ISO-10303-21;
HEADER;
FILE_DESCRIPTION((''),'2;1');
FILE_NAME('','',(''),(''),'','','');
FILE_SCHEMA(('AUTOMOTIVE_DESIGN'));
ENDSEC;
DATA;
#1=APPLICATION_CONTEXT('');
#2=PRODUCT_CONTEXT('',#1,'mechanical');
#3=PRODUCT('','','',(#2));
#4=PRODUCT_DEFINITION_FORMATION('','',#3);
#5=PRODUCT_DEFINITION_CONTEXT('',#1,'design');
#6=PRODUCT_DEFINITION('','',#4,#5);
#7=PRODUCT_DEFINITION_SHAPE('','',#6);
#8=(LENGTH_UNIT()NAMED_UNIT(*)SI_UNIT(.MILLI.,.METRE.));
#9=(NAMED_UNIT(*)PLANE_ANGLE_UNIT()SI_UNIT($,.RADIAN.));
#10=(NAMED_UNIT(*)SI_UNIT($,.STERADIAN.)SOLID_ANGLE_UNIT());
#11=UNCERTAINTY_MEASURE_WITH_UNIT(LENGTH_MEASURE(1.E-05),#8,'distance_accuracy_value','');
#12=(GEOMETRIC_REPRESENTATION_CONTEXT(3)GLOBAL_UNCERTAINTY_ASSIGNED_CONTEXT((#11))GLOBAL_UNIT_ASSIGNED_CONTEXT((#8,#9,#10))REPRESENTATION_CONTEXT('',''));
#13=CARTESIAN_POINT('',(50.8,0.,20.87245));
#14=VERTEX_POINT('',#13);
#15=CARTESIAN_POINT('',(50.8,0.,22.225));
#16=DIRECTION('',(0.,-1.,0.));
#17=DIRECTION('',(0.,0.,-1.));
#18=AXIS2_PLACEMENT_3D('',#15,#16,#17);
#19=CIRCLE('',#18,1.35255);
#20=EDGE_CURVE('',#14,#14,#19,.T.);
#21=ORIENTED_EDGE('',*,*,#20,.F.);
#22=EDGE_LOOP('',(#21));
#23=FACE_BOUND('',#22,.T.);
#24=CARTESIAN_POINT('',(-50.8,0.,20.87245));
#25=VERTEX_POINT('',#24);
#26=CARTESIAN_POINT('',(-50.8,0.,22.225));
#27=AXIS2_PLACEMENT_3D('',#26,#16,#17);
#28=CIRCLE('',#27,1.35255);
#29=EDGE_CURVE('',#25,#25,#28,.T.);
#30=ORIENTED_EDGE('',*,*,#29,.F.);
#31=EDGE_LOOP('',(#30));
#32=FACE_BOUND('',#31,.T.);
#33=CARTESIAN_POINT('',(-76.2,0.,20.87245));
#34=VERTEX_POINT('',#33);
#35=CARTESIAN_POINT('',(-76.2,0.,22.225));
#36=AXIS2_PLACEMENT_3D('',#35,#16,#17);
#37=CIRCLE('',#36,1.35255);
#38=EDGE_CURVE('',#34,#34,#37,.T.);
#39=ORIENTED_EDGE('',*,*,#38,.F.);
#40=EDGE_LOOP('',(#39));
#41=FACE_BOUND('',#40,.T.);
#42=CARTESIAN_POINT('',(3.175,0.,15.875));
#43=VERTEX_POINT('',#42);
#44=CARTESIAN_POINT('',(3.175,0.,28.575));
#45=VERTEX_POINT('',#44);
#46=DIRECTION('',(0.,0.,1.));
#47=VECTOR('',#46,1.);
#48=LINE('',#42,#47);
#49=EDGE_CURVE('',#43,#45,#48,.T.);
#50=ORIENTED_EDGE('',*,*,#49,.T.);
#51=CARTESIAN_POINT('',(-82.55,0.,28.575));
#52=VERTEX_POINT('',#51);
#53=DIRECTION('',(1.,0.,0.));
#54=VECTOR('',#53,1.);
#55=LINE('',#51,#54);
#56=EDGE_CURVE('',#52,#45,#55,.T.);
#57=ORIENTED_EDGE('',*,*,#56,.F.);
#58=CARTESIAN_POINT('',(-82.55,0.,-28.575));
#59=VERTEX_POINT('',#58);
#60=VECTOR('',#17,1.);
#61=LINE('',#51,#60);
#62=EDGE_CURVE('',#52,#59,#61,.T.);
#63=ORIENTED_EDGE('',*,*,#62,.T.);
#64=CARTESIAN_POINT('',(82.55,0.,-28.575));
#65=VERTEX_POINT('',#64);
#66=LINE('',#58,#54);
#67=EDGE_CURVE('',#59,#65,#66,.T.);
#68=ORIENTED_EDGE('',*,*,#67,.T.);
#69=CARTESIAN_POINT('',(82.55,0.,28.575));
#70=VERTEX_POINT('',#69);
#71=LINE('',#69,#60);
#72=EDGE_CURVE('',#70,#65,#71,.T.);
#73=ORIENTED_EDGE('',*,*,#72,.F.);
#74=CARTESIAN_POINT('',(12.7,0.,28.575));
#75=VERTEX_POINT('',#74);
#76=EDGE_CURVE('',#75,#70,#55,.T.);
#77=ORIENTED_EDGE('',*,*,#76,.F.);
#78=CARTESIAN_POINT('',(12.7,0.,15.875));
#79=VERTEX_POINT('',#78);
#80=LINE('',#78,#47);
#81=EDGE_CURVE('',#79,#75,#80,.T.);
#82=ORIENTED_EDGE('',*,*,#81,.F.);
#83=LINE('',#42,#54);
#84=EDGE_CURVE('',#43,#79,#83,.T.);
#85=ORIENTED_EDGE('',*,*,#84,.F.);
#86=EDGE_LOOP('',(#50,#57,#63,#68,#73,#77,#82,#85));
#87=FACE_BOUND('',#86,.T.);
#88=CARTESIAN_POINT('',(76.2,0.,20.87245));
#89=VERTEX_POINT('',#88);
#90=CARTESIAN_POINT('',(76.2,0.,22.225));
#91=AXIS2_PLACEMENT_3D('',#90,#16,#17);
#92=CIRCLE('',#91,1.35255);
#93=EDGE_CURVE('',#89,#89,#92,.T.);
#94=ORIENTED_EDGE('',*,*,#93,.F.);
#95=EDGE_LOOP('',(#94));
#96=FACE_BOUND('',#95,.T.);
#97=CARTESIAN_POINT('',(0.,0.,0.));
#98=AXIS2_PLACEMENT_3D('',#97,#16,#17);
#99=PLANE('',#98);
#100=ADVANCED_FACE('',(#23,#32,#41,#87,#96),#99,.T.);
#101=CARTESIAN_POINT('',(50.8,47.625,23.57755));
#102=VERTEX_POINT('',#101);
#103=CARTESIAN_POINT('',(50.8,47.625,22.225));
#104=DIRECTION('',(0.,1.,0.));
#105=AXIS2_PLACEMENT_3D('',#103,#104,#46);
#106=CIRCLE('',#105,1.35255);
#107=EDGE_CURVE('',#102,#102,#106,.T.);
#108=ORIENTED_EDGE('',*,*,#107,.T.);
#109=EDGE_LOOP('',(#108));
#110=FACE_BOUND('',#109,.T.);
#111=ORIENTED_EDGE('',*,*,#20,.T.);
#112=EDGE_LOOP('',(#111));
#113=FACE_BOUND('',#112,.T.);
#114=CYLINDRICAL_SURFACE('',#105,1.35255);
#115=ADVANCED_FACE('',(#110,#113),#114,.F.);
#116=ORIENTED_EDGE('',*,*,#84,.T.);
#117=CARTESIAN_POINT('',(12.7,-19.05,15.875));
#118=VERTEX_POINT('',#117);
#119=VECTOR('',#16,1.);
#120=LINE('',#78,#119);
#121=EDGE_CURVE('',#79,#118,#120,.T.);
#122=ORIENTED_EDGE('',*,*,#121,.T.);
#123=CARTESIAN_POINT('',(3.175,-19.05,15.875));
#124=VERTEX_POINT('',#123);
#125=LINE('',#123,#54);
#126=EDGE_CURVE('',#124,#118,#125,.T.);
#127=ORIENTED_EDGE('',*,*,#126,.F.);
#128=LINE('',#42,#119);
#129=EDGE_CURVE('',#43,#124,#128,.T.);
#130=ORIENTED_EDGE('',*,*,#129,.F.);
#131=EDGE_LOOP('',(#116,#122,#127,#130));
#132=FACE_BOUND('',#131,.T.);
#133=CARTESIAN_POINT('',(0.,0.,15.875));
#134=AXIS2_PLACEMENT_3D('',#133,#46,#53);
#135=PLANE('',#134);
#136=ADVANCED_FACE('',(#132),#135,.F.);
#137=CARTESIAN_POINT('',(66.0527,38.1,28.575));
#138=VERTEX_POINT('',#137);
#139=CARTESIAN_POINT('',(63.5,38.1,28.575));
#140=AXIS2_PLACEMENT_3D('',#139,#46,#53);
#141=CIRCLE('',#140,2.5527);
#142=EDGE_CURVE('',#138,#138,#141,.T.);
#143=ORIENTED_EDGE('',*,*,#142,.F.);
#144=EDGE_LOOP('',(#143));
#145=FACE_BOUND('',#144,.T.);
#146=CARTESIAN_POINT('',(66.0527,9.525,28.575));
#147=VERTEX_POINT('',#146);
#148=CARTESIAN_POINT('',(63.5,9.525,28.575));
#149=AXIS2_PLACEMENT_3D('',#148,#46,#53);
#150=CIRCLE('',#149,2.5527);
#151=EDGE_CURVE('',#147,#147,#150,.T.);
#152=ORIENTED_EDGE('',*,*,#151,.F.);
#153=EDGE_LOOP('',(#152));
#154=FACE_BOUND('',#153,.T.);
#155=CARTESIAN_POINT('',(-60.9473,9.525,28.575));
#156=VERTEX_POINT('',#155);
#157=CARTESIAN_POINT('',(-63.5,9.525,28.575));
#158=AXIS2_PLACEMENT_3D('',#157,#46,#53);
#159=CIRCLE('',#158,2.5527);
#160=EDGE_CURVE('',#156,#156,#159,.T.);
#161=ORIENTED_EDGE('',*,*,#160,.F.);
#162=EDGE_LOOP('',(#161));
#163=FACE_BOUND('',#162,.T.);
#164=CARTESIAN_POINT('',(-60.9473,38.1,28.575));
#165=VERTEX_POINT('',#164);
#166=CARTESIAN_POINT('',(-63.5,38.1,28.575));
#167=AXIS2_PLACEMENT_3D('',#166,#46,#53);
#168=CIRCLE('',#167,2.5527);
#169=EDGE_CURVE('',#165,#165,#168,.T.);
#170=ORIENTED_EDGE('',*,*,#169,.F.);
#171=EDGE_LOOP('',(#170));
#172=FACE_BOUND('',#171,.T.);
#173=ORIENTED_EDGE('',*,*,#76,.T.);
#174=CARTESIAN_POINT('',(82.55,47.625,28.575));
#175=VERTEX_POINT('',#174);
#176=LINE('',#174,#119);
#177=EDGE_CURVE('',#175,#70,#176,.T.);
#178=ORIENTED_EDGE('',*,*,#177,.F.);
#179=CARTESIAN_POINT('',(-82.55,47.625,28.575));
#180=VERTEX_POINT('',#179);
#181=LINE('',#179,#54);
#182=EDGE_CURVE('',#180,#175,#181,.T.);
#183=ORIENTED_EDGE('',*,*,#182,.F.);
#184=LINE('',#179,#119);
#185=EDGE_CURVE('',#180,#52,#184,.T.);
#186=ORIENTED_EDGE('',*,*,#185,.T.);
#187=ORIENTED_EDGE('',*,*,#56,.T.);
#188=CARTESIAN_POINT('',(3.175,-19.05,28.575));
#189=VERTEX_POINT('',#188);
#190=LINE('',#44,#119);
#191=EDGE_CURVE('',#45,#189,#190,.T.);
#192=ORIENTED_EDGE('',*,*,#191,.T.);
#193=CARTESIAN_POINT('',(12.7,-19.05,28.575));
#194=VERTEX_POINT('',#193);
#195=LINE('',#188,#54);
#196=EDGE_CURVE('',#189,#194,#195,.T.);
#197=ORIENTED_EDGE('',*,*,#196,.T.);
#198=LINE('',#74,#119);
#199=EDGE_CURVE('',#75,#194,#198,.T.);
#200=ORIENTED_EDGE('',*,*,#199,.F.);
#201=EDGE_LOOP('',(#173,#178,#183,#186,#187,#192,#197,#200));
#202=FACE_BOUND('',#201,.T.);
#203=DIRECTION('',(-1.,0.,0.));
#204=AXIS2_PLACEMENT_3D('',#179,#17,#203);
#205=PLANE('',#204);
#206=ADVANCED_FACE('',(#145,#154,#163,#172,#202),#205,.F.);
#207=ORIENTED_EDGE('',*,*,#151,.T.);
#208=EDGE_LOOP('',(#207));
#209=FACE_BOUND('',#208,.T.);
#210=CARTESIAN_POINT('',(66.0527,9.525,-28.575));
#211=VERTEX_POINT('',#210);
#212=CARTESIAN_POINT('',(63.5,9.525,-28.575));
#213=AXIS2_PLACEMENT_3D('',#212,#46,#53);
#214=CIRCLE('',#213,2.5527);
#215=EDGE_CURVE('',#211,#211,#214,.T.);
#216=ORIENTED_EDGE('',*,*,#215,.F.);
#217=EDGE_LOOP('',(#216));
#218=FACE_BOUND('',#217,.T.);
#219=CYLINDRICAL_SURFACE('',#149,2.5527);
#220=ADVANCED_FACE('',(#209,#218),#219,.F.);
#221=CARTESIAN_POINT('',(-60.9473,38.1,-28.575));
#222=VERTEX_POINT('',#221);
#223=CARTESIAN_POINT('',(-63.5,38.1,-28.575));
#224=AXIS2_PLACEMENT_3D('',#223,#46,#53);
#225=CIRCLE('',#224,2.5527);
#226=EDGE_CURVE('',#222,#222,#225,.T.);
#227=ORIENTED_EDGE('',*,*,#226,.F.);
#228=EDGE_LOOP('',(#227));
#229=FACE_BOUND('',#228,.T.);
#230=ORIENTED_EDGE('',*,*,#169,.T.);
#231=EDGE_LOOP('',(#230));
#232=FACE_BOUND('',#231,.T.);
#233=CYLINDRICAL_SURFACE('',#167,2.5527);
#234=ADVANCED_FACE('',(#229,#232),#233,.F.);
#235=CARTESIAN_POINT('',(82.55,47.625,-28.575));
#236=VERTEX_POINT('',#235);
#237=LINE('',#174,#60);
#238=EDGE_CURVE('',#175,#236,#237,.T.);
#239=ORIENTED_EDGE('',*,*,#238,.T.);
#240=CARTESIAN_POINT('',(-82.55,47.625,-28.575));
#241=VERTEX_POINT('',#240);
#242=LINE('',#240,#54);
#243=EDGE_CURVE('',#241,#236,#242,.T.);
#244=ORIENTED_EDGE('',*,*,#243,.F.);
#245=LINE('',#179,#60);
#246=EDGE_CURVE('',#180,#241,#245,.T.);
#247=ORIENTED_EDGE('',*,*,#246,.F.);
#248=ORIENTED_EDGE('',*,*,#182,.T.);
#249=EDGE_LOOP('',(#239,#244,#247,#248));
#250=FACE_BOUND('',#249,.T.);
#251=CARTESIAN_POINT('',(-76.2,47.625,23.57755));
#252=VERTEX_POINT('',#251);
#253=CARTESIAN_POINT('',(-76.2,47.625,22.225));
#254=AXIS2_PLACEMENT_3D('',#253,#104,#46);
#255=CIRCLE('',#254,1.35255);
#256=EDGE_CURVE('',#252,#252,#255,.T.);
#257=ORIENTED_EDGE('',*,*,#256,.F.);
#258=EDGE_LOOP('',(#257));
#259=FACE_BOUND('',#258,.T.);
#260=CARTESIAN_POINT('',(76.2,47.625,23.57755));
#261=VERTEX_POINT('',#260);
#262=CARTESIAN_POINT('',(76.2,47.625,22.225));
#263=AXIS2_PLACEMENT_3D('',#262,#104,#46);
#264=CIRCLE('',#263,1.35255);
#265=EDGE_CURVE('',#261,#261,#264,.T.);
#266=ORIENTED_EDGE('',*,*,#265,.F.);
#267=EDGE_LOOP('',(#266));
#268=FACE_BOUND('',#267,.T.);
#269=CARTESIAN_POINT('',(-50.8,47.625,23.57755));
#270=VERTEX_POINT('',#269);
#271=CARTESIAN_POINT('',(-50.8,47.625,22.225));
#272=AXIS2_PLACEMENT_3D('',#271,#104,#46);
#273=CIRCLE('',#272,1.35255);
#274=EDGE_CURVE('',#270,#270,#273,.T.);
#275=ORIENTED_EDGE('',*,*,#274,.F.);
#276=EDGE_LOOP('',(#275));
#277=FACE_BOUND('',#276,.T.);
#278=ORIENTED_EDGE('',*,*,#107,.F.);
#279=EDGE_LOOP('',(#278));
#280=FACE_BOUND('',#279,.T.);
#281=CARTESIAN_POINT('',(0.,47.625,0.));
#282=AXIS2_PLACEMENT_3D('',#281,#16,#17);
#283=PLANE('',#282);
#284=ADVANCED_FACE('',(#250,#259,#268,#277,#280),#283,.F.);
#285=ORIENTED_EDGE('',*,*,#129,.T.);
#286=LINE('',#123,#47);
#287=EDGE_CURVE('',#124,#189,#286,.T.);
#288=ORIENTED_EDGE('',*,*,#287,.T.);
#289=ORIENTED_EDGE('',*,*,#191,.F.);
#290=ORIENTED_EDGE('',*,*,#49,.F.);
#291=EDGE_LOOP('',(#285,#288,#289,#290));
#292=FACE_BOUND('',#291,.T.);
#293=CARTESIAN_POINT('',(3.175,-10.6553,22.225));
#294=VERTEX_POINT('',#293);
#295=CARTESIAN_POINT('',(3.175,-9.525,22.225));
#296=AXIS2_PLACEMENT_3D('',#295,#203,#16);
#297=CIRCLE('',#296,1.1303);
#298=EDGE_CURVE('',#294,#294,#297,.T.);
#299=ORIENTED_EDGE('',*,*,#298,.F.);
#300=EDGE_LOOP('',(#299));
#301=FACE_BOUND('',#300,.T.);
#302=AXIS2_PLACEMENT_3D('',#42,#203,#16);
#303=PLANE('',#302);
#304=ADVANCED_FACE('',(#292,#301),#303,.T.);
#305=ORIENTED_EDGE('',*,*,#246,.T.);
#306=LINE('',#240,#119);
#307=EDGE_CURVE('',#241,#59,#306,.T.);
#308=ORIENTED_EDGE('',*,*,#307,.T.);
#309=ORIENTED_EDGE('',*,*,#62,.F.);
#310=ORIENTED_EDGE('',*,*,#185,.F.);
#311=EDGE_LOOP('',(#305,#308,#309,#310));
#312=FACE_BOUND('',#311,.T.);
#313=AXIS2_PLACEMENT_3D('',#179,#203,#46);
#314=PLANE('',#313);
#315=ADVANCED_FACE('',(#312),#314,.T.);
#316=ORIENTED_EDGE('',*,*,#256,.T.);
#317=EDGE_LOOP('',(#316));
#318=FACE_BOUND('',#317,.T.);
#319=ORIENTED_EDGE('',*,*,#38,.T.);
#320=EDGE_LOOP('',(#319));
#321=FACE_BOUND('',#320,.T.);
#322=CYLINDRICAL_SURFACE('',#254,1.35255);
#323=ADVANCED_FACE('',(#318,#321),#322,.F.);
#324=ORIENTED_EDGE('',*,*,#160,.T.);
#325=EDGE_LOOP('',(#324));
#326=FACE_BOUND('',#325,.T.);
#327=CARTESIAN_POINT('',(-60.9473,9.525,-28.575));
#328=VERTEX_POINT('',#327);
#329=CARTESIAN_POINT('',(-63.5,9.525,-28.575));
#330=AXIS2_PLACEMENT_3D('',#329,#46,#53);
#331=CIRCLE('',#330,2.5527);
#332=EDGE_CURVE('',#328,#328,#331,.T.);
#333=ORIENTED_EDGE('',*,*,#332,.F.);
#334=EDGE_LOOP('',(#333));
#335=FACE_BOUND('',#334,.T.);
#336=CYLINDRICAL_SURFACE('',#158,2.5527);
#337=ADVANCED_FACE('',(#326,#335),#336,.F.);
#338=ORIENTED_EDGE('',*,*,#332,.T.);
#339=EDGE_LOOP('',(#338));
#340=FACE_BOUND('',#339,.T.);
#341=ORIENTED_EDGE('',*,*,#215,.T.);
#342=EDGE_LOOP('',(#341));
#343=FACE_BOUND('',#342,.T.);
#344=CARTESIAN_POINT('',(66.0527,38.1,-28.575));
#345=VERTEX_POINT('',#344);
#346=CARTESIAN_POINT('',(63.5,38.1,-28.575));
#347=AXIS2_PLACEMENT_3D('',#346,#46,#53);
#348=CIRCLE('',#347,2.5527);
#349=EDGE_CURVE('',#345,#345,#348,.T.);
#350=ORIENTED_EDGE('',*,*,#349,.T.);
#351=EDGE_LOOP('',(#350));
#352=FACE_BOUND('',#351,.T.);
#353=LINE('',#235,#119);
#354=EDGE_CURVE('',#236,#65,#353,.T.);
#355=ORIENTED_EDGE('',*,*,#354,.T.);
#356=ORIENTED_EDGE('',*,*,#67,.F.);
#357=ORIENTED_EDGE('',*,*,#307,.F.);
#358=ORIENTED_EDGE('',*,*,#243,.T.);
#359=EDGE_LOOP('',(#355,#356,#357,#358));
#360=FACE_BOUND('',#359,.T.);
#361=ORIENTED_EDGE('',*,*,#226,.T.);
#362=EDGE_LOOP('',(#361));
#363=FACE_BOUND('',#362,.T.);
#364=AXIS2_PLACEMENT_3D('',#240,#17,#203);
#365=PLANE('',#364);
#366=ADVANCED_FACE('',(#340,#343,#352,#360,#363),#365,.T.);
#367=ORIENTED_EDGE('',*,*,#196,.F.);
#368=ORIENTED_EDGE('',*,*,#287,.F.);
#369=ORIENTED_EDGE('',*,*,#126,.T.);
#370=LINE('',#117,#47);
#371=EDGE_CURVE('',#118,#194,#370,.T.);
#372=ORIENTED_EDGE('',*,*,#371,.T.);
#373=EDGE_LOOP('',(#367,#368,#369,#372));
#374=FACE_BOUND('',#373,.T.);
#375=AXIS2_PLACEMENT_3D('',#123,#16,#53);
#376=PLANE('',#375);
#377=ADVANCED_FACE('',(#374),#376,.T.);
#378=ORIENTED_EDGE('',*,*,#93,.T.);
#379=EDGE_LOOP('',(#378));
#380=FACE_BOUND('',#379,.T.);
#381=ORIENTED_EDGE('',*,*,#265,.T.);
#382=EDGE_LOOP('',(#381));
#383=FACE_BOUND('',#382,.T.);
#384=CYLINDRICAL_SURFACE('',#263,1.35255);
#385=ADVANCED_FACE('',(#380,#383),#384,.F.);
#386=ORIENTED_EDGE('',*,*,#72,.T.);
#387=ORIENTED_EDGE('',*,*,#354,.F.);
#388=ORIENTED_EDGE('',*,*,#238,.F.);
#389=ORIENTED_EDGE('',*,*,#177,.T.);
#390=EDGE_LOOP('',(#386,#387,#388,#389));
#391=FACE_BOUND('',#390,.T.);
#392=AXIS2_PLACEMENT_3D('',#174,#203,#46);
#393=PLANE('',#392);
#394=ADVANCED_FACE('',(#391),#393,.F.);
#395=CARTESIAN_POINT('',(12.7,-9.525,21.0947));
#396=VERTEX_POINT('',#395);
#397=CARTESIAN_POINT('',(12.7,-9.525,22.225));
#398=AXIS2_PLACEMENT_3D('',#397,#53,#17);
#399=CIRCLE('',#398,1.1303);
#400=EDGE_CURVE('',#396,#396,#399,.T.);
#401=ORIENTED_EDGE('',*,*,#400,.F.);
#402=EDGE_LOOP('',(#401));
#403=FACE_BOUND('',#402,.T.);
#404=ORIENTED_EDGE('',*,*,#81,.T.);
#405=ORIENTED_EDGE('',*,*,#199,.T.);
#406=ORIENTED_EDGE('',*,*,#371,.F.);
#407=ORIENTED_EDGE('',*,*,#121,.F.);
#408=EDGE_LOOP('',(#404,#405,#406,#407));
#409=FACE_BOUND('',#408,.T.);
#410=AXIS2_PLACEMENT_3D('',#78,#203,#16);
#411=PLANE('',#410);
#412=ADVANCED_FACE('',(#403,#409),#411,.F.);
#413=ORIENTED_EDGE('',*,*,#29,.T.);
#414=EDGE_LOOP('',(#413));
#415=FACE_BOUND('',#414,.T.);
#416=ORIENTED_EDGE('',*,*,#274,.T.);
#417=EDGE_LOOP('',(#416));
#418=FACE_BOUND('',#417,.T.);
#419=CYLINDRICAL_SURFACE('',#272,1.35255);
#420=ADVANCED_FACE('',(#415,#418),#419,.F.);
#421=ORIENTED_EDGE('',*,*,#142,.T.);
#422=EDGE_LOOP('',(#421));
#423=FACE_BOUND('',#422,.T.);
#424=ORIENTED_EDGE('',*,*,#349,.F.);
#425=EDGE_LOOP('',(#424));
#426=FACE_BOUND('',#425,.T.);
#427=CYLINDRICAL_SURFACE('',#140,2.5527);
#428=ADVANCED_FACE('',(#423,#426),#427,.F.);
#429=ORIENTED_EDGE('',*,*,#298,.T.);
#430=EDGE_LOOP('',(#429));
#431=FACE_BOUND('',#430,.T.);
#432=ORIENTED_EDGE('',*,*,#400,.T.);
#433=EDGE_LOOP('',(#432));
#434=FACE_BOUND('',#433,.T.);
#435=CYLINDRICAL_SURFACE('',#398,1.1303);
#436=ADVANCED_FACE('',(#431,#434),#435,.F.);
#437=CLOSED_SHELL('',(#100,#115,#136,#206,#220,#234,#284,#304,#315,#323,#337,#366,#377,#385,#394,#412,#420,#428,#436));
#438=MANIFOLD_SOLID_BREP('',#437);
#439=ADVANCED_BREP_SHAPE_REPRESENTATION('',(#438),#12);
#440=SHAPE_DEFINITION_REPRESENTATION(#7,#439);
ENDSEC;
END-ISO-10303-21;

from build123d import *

# Parameters (mm, degrees)
SKETCH1_W               = 165.1
SKETCH1_H               = 57.15
BOSS_EXTRUDE1_DEPTH     = 47.625
SKETCH6_W               = 9.525
SKETCH6_H               = 19.05
BOSS_EXTRUDE2_DEPTH     = 12.7
F_4_40_TAPPED_HOLE1_D   = 2.2606
F_1_4_20_TAPPED_HOLE1_D = 5.1054
F_6_32_TAPPED_HOLE1_D   = 2.7051


with BuildPart() as part:
    # Sketch1 → Boss-Extrude1 (new body)
    with BuildSketch(Plane(origin=(0, 0, 0), x_dir=(1, 0, 0), z_dir=(0, 1, 0))):
        Rectangle(SKETCH1_W, SKETCH1_H)
    extrude(amount=BOSS_EXTRUDE1_DEPTH)

    # Sketch6 → Boss-Extrude2 (add)
    with BuildSketch(Plane.XY.offset(28.575)):
        with Locations((7.9375, -9.525)):
            Rectangle(SKETCH6_W, SKETCH6_H)
    extrude(amount=-BOSS_EXTRUDE2_DEPTH)

    # #4-40 Tapped Hole1 (through all)
    with Locations(Plane(origin=(12.7, 0, 0), x_dir=(0, 0, -1), z_dir=(1, 0, 0))):
        with Locations((-22.225, -9.525)):
            Hole(F_4_40_TAPPED_HOLE1_D / 2)

    # 1/4-20 Tapped Hole1 (through all)
    with Locations(Plane.XY.offset(28.575)):
        with Locations((-63.5, 38.1), (-63.5, 9.525), (63.5, 38.1), (63.5, 9.525)):
            Hole(F_1_4_20_TAPPED_HOLE1_D / 2)

    # #6-32 Tapped Hole1 (through all)
    with Locations(Plane(origin=(0, 47.625, 0), x_dir=(1, 0, 0), z_dir=(0, 1, 0))):
        with Locations((-76.2, -22.225), (-50.8, -22.225), (50.8, -22.225), (76.2, -22.225)):
            Hole(F_6_32_TAPPED_HOLE1_D / 2)


solid = part.part
